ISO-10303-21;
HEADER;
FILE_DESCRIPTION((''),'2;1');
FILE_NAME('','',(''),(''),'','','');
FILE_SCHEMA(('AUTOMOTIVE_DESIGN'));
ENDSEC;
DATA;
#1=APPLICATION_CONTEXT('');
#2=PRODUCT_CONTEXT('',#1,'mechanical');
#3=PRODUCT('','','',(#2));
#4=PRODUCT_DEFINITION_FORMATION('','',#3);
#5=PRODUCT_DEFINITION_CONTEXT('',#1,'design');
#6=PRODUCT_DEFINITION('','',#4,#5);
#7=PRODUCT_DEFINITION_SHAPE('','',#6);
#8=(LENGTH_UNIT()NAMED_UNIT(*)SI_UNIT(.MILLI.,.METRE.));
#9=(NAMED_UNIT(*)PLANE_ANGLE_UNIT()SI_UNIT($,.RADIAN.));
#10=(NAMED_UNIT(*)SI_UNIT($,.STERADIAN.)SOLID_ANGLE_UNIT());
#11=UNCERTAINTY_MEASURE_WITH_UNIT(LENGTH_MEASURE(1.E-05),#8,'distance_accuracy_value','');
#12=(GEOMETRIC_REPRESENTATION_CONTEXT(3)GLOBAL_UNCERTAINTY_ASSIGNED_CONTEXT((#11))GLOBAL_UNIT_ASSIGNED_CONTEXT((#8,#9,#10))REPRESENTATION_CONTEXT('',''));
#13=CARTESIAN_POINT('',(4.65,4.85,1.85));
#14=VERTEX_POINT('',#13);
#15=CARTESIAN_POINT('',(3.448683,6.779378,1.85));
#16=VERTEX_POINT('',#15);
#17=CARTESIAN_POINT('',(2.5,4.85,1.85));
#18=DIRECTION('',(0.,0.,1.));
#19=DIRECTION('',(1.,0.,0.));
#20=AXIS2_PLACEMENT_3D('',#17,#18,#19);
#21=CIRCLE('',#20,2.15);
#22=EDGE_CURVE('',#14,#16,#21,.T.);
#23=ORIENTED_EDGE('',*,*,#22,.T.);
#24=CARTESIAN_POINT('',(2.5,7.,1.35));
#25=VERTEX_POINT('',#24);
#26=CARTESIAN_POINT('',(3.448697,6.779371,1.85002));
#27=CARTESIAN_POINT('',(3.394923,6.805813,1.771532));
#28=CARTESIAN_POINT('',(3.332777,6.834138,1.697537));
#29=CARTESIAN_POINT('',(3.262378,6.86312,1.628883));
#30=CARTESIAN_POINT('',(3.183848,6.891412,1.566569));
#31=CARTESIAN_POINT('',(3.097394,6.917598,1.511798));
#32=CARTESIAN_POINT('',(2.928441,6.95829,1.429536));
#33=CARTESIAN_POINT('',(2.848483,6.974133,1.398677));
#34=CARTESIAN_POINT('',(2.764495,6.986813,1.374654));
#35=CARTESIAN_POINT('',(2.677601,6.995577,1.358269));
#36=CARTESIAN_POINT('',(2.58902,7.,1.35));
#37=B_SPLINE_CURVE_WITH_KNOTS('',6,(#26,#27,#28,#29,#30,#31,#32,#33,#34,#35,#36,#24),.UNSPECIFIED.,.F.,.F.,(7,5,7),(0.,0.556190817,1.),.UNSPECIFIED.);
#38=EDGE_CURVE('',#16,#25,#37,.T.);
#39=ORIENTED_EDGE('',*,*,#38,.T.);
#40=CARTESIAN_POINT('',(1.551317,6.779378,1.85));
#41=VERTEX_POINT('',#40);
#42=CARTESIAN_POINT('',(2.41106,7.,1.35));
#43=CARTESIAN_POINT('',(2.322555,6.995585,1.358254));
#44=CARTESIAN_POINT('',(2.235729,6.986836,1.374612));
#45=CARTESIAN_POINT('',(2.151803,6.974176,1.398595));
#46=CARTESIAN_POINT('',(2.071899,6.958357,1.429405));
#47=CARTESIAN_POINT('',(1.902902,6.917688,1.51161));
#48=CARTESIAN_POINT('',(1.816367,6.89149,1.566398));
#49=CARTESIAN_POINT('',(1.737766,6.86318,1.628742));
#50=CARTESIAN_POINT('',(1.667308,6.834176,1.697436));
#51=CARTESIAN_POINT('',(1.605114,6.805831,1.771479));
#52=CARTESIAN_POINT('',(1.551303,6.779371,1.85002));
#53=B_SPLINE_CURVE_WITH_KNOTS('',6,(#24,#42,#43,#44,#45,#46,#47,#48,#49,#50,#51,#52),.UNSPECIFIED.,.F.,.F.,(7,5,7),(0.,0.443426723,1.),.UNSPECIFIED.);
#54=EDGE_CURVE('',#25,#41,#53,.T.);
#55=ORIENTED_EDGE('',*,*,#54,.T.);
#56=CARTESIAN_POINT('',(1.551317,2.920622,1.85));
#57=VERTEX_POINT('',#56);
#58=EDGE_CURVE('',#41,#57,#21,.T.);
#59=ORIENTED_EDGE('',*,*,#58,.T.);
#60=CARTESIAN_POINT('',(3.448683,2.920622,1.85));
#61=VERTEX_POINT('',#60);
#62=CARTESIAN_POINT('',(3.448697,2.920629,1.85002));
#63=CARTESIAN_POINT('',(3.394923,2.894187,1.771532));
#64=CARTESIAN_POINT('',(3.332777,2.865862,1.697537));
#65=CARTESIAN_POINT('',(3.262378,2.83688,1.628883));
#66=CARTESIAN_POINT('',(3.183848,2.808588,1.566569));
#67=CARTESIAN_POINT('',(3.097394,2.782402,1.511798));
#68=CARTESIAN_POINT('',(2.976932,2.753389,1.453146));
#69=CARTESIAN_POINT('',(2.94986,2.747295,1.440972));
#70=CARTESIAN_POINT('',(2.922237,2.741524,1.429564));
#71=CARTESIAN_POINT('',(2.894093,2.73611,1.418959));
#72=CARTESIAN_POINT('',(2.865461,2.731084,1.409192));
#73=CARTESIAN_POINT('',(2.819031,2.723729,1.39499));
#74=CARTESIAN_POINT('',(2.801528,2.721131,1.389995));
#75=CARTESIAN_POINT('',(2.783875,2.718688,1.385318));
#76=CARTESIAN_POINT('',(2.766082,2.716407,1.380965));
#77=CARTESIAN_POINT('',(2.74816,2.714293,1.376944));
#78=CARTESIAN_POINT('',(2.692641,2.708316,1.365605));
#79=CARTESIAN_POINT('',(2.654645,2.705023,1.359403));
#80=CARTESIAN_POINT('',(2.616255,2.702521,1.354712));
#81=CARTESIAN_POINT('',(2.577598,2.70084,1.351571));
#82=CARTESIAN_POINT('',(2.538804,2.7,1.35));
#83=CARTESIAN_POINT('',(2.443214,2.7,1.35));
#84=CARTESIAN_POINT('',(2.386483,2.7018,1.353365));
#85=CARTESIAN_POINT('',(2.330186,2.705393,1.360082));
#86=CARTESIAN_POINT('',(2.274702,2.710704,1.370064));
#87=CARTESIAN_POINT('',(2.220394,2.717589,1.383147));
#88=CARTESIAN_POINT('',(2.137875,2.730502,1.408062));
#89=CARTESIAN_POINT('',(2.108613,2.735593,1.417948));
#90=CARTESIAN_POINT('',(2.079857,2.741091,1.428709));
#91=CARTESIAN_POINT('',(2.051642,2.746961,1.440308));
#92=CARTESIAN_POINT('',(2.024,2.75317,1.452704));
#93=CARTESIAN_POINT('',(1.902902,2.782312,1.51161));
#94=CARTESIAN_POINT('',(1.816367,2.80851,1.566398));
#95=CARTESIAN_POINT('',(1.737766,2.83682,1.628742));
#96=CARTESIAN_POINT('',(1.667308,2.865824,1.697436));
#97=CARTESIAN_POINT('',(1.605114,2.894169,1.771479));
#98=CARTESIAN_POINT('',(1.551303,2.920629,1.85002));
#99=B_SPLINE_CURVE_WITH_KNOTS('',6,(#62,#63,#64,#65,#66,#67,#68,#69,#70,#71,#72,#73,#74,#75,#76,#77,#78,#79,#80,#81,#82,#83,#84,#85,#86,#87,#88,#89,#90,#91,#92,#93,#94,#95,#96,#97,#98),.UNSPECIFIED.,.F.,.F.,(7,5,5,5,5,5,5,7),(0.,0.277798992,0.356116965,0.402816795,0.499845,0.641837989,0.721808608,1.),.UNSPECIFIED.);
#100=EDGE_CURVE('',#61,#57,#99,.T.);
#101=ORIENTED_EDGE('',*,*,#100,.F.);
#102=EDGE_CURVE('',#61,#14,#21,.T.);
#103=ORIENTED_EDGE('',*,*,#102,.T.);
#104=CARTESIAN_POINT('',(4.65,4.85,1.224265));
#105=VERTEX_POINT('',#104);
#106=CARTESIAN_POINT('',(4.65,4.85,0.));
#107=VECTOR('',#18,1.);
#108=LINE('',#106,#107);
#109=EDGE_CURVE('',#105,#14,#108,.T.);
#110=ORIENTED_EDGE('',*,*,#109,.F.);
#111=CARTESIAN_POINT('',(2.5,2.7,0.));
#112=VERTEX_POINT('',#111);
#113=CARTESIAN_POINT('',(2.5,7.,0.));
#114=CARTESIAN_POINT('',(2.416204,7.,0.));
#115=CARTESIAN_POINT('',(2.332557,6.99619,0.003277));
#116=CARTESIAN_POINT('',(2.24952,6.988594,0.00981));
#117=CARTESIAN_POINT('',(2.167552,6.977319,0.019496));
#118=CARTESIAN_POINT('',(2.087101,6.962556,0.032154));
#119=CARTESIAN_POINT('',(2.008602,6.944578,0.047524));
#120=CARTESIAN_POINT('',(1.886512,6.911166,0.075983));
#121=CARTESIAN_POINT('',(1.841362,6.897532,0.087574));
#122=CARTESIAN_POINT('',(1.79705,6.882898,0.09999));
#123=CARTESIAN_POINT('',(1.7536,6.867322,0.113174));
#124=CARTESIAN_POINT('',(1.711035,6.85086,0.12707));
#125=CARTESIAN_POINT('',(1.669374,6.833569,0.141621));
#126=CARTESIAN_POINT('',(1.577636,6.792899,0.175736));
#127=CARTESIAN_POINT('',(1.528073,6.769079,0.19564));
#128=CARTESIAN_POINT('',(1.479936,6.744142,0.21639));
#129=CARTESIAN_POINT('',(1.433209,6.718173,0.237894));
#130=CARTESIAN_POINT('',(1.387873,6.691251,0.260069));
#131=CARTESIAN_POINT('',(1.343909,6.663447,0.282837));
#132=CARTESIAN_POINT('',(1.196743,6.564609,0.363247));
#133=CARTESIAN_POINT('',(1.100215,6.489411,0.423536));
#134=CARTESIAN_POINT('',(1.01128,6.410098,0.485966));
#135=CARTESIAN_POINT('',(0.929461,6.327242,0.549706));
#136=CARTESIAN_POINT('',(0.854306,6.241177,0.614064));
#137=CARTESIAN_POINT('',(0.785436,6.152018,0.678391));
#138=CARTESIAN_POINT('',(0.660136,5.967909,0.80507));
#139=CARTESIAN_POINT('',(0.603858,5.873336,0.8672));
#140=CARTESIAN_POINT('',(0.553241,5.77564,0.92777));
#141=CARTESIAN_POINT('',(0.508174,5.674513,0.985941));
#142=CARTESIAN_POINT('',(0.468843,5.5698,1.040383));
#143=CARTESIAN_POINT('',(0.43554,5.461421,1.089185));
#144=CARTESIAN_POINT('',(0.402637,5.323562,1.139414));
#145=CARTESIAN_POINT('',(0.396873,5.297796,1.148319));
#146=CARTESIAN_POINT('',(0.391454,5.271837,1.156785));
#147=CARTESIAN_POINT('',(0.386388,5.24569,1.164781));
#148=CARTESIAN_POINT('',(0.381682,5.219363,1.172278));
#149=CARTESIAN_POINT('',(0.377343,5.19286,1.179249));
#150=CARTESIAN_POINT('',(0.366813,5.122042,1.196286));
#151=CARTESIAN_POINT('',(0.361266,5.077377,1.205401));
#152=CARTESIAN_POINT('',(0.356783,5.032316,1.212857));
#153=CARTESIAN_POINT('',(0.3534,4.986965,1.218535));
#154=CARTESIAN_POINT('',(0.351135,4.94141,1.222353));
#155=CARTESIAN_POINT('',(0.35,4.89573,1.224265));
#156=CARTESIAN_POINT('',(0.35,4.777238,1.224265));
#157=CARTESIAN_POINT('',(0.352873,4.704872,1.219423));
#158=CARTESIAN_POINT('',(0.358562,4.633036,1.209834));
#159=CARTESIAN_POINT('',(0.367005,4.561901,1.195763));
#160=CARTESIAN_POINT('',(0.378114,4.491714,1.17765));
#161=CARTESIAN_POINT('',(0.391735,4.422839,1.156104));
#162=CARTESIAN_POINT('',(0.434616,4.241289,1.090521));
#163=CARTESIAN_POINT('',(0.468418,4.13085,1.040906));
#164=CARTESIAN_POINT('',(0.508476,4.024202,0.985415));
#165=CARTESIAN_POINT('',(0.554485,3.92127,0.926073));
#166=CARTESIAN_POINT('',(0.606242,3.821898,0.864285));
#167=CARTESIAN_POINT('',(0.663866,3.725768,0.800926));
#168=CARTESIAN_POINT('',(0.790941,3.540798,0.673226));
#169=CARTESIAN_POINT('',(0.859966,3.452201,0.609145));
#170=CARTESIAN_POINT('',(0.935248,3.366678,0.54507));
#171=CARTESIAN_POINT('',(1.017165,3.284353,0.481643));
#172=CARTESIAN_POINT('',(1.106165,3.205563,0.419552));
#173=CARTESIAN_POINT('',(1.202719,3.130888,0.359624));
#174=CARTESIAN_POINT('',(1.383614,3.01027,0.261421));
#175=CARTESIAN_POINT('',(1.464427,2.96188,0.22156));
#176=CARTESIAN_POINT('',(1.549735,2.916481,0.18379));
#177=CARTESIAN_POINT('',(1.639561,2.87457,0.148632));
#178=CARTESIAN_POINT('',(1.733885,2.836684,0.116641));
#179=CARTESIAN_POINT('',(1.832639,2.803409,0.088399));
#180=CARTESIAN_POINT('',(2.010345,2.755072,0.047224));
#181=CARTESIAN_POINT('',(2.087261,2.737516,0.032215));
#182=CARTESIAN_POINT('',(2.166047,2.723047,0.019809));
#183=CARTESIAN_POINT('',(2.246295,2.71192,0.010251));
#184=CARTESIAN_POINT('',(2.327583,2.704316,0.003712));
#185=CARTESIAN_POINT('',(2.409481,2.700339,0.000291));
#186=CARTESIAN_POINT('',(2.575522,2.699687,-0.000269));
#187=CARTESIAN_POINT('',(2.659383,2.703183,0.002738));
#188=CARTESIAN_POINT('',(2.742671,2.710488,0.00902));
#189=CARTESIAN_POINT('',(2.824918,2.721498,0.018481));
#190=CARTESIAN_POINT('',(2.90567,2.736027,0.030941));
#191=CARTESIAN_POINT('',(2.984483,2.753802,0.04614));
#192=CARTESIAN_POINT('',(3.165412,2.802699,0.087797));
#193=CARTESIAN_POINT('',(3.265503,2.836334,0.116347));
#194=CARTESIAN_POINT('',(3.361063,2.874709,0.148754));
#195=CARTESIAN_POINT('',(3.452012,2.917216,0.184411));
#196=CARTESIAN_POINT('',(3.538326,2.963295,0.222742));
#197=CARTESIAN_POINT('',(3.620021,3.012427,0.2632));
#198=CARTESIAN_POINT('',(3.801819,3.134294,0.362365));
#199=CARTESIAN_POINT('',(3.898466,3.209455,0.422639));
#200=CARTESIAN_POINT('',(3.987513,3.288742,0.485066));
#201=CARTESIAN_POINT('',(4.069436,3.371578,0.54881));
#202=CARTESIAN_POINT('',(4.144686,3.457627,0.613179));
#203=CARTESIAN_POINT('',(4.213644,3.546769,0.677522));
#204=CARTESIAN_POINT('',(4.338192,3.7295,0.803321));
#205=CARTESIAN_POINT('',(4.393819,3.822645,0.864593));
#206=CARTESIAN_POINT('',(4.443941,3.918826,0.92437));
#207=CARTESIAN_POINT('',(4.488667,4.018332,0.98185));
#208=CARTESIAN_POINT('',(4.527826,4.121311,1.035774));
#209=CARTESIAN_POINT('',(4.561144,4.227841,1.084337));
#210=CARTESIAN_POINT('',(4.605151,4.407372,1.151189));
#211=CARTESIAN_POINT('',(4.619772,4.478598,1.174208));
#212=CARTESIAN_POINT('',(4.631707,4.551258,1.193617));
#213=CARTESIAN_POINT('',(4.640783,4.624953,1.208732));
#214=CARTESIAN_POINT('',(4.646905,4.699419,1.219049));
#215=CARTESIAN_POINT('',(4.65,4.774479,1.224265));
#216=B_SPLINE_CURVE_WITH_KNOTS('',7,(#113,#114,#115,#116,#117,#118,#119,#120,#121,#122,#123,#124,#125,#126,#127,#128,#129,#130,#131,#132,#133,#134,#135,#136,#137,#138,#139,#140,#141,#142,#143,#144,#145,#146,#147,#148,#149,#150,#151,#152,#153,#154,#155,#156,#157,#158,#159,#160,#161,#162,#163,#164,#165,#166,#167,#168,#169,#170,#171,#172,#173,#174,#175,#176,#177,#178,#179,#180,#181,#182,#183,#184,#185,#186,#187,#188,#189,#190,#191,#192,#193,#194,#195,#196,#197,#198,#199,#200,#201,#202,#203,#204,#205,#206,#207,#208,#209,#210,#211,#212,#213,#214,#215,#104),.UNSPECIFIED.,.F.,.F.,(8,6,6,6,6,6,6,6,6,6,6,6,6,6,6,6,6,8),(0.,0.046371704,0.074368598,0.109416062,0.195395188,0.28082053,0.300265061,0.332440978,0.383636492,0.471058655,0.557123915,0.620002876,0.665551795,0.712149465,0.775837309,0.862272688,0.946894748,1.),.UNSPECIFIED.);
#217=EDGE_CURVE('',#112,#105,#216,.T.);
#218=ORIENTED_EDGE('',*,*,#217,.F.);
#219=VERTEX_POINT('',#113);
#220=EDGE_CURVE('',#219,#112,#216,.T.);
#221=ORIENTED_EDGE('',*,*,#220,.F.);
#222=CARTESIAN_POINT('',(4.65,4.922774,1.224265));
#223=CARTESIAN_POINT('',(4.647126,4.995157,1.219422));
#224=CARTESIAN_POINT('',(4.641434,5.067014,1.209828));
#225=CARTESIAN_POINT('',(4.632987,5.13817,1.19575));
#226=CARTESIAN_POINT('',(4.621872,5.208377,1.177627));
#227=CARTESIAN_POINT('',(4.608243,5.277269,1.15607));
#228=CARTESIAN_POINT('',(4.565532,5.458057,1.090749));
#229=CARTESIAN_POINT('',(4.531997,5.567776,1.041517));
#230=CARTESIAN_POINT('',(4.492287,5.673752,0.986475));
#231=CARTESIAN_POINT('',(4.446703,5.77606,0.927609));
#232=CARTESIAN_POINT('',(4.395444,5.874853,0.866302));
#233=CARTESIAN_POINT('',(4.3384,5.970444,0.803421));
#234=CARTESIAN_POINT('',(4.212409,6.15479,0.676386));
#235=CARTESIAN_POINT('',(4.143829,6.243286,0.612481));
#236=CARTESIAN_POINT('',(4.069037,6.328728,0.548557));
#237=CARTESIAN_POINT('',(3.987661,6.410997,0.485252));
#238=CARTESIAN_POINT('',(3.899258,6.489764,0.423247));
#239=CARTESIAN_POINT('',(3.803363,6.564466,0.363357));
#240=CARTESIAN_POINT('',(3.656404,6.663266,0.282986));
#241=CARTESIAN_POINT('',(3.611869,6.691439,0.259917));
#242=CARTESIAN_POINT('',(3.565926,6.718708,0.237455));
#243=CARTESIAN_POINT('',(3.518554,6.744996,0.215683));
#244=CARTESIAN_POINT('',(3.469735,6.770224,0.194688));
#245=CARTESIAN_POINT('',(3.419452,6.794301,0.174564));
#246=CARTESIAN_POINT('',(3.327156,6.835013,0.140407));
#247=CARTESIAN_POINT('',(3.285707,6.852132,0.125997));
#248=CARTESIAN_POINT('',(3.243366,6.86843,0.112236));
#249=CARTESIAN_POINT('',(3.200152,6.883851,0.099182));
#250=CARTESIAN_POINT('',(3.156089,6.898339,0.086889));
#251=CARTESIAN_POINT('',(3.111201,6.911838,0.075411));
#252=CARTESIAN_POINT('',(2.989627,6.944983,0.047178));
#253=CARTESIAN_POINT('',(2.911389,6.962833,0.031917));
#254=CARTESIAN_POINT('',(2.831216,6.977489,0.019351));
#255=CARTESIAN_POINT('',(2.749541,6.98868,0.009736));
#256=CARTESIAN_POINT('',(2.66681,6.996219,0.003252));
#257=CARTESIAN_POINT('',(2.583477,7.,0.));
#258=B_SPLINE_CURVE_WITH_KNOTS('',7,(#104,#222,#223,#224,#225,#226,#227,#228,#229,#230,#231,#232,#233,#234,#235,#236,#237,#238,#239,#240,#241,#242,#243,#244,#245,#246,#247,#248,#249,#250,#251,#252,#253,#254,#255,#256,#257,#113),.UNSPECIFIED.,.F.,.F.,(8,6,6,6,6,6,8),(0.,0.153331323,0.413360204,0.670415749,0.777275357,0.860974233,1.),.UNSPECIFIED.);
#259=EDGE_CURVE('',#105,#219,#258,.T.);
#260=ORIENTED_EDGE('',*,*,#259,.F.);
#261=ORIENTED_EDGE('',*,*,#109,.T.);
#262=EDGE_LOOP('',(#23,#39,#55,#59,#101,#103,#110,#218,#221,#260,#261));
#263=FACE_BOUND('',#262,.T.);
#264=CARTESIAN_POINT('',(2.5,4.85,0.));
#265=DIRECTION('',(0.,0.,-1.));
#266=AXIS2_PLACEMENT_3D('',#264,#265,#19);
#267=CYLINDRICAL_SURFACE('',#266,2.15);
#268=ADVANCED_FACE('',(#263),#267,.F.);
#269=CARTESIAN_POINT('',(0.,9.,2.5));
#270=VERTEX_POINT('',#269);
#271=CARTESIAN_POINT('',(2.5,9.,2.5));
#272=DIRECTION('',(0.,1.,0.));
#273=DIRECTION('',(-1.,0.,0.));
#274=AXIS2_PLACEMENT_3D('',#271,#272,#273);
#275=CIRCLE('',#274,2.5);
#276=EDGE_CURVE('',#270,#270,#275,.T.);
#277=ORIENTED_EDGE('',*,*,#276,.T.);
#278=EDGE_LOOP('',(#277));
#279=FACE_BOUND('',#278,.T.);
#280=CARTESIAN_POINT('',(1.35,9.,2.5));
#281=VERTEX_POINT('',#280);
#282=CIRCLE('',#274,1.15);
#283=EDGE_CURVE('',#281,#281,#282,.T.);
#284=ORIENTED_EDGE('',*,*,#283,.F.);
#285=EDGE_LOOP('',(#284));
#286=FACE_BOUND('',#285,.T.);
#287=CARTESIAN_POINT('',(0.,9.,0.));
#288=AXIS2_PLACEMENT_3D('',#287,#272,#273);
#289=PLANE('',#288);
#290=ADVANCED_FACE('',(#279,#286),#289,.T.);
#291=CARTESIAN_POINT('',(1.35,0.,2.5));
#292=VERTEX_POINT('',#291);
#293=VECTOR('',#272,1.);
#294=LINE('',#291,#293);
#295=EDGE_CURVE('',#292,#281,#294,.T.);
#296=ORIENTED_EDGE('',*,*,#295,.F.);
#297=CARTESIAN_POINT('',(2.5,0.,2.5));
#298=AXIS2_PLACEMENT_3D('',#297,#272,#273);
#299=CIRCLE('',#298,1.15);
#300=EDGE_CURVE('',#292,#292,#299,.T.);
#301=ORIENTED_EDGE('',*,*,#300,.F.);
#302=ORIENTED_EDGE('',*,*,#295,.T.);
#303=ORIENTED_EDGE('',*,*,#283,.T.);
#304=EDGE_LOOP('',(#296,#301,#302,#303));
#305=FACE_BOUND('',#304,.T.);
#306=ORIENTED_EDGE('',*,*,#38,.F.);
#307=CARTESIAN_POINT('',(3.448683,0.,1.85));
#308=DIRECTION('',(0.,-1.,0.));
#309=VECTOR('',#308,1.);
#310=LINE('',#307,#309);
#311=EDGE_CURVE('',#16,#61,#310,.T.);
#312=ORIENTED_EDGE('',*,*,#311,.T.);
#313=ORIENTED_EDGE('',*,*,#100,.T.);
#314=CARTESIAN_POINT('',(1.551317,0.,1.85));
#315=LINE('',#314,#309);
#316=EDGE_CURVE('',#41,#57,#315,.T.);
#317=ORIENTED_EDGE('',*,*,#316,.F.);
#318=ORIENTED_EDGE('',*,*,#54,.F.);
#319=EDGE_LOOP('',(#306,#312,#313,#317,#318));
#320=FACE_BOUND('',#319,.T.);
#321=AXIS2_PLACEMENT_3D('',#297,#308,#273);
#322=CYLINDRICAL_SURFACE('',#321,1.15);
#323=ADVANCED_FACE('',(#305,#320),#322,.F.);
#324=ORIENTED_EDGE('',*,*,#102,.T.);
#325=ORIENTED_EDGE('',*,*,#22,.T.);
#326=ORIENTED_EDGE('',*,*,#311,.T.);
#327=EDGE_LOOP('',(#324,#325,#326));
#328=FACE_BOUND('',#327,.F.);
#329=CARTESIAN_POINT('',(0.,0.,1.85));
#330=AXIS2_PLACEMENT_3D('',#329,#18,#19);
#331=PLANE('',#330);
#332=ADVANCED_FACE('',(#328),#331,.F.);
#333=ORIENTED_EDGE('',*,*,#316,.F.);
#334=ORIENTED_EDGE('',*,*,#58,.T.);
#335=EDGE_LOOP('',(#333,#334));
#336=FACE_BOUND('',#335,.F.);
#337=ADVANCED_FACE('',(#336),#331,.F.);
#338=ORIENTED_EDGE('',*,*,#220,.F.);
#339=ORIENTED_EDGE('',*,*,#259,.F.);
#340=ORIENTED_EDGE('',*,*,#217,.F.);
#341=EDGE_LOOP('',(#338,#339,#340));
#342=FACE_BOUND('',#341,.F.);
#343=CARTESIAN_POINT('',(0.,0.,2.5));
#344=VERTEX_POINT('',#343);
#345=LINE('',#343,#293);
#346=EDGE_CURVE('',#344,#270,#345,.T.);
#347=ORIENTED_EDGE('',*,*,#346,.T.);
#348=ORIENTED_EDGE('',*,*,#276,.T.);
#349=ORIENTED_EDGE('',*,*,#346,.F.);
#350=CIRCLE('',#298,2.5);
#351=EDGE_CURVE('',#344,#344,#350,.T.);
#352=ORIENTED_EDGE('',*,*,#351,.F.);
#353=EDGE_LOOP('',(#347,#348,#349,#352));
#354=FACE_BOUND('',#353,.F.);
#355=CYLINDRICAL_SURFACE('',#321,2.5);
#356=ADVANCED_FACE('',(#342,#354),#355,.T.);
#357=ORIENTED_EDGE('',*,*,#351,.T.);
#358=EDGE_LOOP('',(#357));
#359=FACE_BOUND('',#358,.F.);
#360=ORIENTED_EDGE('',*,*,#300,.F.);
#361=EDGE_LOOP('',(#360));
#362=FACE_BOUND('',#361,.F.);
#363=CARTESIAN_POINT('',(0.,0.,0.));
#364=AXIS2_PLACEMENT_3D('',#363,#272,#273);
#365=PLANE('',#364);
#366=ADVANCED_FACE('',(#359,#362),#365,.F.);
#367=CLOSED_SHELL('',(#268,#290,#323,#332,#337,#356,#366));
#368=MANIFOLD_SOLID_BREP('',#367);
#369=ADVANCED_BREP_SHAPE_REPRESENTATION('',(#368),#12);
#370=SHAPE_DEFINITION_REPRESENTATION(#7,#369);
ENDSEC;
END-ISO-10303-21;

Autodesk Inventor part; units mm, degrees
ref_plane "YZ Plane" through (0, 0, 0) normal (1, 0, 0) x (0, 1, 0)
ref_plane "XZ Plane" through (0, 0, 0) normal (0, 1, 0) x (-1, 0, 0)
sketch "Sketch1" plane through (0, 0, 0) normal (0, 1, 0) x (-1, 0, 0)
  circle A0 centre (-2.5, 2.5) radius 1.15
  circle A1 centre (-2.5, 2.5) radius 2.5
  line L0 (0, 0) -> (-7.3028, 0) construction
  line L1 (0, 0) -> (0, 4.3038) construction
  dimension "d0" = 2.3
  dimension "d1" = 5
extrude "Extrusion1" add sketch "Sketch1" along normal blind 9
ref_plane "Work Plane1" through (2.5, 0, 1.35) normal (0, 0, 1) x (1, 0, 0)
ref_plane "screwMaxDist" through (2.5, 0, 1.85) normal (0, 0, 1) x (1, 0, 0)
sketch "Sketch2" plane through (0, 0, 0) normal (0, 0, 1) x (1, 0, 0)
  line L0 (5, 9) -> (0, 9) projected
  circle A0 centre (2.5, 4.85) radius 2.15
  line L1 (5, 9) -> (0, 9) projected
  line L2 (5, 0) -> (0, 0) projected
  line L3 (0, 0) -> (0, 9) projected
  line L4 (0, 7) -> (5, 7)
  line L5 (5, 0) -> (5, 9) projected
  dimension "d5" = 4.3
  dimension "d15" = 2
  dimension "d16" = 2.5
  dimension "d17" = 2.5
extrude "Extrusion2" cut sketch "Sketch2" along normal up to surface (1.85 mm away) contours A0
equation "\"d16\" = d17"
properties part number "motor_shaft_adapter" material "ABS Plastic"
